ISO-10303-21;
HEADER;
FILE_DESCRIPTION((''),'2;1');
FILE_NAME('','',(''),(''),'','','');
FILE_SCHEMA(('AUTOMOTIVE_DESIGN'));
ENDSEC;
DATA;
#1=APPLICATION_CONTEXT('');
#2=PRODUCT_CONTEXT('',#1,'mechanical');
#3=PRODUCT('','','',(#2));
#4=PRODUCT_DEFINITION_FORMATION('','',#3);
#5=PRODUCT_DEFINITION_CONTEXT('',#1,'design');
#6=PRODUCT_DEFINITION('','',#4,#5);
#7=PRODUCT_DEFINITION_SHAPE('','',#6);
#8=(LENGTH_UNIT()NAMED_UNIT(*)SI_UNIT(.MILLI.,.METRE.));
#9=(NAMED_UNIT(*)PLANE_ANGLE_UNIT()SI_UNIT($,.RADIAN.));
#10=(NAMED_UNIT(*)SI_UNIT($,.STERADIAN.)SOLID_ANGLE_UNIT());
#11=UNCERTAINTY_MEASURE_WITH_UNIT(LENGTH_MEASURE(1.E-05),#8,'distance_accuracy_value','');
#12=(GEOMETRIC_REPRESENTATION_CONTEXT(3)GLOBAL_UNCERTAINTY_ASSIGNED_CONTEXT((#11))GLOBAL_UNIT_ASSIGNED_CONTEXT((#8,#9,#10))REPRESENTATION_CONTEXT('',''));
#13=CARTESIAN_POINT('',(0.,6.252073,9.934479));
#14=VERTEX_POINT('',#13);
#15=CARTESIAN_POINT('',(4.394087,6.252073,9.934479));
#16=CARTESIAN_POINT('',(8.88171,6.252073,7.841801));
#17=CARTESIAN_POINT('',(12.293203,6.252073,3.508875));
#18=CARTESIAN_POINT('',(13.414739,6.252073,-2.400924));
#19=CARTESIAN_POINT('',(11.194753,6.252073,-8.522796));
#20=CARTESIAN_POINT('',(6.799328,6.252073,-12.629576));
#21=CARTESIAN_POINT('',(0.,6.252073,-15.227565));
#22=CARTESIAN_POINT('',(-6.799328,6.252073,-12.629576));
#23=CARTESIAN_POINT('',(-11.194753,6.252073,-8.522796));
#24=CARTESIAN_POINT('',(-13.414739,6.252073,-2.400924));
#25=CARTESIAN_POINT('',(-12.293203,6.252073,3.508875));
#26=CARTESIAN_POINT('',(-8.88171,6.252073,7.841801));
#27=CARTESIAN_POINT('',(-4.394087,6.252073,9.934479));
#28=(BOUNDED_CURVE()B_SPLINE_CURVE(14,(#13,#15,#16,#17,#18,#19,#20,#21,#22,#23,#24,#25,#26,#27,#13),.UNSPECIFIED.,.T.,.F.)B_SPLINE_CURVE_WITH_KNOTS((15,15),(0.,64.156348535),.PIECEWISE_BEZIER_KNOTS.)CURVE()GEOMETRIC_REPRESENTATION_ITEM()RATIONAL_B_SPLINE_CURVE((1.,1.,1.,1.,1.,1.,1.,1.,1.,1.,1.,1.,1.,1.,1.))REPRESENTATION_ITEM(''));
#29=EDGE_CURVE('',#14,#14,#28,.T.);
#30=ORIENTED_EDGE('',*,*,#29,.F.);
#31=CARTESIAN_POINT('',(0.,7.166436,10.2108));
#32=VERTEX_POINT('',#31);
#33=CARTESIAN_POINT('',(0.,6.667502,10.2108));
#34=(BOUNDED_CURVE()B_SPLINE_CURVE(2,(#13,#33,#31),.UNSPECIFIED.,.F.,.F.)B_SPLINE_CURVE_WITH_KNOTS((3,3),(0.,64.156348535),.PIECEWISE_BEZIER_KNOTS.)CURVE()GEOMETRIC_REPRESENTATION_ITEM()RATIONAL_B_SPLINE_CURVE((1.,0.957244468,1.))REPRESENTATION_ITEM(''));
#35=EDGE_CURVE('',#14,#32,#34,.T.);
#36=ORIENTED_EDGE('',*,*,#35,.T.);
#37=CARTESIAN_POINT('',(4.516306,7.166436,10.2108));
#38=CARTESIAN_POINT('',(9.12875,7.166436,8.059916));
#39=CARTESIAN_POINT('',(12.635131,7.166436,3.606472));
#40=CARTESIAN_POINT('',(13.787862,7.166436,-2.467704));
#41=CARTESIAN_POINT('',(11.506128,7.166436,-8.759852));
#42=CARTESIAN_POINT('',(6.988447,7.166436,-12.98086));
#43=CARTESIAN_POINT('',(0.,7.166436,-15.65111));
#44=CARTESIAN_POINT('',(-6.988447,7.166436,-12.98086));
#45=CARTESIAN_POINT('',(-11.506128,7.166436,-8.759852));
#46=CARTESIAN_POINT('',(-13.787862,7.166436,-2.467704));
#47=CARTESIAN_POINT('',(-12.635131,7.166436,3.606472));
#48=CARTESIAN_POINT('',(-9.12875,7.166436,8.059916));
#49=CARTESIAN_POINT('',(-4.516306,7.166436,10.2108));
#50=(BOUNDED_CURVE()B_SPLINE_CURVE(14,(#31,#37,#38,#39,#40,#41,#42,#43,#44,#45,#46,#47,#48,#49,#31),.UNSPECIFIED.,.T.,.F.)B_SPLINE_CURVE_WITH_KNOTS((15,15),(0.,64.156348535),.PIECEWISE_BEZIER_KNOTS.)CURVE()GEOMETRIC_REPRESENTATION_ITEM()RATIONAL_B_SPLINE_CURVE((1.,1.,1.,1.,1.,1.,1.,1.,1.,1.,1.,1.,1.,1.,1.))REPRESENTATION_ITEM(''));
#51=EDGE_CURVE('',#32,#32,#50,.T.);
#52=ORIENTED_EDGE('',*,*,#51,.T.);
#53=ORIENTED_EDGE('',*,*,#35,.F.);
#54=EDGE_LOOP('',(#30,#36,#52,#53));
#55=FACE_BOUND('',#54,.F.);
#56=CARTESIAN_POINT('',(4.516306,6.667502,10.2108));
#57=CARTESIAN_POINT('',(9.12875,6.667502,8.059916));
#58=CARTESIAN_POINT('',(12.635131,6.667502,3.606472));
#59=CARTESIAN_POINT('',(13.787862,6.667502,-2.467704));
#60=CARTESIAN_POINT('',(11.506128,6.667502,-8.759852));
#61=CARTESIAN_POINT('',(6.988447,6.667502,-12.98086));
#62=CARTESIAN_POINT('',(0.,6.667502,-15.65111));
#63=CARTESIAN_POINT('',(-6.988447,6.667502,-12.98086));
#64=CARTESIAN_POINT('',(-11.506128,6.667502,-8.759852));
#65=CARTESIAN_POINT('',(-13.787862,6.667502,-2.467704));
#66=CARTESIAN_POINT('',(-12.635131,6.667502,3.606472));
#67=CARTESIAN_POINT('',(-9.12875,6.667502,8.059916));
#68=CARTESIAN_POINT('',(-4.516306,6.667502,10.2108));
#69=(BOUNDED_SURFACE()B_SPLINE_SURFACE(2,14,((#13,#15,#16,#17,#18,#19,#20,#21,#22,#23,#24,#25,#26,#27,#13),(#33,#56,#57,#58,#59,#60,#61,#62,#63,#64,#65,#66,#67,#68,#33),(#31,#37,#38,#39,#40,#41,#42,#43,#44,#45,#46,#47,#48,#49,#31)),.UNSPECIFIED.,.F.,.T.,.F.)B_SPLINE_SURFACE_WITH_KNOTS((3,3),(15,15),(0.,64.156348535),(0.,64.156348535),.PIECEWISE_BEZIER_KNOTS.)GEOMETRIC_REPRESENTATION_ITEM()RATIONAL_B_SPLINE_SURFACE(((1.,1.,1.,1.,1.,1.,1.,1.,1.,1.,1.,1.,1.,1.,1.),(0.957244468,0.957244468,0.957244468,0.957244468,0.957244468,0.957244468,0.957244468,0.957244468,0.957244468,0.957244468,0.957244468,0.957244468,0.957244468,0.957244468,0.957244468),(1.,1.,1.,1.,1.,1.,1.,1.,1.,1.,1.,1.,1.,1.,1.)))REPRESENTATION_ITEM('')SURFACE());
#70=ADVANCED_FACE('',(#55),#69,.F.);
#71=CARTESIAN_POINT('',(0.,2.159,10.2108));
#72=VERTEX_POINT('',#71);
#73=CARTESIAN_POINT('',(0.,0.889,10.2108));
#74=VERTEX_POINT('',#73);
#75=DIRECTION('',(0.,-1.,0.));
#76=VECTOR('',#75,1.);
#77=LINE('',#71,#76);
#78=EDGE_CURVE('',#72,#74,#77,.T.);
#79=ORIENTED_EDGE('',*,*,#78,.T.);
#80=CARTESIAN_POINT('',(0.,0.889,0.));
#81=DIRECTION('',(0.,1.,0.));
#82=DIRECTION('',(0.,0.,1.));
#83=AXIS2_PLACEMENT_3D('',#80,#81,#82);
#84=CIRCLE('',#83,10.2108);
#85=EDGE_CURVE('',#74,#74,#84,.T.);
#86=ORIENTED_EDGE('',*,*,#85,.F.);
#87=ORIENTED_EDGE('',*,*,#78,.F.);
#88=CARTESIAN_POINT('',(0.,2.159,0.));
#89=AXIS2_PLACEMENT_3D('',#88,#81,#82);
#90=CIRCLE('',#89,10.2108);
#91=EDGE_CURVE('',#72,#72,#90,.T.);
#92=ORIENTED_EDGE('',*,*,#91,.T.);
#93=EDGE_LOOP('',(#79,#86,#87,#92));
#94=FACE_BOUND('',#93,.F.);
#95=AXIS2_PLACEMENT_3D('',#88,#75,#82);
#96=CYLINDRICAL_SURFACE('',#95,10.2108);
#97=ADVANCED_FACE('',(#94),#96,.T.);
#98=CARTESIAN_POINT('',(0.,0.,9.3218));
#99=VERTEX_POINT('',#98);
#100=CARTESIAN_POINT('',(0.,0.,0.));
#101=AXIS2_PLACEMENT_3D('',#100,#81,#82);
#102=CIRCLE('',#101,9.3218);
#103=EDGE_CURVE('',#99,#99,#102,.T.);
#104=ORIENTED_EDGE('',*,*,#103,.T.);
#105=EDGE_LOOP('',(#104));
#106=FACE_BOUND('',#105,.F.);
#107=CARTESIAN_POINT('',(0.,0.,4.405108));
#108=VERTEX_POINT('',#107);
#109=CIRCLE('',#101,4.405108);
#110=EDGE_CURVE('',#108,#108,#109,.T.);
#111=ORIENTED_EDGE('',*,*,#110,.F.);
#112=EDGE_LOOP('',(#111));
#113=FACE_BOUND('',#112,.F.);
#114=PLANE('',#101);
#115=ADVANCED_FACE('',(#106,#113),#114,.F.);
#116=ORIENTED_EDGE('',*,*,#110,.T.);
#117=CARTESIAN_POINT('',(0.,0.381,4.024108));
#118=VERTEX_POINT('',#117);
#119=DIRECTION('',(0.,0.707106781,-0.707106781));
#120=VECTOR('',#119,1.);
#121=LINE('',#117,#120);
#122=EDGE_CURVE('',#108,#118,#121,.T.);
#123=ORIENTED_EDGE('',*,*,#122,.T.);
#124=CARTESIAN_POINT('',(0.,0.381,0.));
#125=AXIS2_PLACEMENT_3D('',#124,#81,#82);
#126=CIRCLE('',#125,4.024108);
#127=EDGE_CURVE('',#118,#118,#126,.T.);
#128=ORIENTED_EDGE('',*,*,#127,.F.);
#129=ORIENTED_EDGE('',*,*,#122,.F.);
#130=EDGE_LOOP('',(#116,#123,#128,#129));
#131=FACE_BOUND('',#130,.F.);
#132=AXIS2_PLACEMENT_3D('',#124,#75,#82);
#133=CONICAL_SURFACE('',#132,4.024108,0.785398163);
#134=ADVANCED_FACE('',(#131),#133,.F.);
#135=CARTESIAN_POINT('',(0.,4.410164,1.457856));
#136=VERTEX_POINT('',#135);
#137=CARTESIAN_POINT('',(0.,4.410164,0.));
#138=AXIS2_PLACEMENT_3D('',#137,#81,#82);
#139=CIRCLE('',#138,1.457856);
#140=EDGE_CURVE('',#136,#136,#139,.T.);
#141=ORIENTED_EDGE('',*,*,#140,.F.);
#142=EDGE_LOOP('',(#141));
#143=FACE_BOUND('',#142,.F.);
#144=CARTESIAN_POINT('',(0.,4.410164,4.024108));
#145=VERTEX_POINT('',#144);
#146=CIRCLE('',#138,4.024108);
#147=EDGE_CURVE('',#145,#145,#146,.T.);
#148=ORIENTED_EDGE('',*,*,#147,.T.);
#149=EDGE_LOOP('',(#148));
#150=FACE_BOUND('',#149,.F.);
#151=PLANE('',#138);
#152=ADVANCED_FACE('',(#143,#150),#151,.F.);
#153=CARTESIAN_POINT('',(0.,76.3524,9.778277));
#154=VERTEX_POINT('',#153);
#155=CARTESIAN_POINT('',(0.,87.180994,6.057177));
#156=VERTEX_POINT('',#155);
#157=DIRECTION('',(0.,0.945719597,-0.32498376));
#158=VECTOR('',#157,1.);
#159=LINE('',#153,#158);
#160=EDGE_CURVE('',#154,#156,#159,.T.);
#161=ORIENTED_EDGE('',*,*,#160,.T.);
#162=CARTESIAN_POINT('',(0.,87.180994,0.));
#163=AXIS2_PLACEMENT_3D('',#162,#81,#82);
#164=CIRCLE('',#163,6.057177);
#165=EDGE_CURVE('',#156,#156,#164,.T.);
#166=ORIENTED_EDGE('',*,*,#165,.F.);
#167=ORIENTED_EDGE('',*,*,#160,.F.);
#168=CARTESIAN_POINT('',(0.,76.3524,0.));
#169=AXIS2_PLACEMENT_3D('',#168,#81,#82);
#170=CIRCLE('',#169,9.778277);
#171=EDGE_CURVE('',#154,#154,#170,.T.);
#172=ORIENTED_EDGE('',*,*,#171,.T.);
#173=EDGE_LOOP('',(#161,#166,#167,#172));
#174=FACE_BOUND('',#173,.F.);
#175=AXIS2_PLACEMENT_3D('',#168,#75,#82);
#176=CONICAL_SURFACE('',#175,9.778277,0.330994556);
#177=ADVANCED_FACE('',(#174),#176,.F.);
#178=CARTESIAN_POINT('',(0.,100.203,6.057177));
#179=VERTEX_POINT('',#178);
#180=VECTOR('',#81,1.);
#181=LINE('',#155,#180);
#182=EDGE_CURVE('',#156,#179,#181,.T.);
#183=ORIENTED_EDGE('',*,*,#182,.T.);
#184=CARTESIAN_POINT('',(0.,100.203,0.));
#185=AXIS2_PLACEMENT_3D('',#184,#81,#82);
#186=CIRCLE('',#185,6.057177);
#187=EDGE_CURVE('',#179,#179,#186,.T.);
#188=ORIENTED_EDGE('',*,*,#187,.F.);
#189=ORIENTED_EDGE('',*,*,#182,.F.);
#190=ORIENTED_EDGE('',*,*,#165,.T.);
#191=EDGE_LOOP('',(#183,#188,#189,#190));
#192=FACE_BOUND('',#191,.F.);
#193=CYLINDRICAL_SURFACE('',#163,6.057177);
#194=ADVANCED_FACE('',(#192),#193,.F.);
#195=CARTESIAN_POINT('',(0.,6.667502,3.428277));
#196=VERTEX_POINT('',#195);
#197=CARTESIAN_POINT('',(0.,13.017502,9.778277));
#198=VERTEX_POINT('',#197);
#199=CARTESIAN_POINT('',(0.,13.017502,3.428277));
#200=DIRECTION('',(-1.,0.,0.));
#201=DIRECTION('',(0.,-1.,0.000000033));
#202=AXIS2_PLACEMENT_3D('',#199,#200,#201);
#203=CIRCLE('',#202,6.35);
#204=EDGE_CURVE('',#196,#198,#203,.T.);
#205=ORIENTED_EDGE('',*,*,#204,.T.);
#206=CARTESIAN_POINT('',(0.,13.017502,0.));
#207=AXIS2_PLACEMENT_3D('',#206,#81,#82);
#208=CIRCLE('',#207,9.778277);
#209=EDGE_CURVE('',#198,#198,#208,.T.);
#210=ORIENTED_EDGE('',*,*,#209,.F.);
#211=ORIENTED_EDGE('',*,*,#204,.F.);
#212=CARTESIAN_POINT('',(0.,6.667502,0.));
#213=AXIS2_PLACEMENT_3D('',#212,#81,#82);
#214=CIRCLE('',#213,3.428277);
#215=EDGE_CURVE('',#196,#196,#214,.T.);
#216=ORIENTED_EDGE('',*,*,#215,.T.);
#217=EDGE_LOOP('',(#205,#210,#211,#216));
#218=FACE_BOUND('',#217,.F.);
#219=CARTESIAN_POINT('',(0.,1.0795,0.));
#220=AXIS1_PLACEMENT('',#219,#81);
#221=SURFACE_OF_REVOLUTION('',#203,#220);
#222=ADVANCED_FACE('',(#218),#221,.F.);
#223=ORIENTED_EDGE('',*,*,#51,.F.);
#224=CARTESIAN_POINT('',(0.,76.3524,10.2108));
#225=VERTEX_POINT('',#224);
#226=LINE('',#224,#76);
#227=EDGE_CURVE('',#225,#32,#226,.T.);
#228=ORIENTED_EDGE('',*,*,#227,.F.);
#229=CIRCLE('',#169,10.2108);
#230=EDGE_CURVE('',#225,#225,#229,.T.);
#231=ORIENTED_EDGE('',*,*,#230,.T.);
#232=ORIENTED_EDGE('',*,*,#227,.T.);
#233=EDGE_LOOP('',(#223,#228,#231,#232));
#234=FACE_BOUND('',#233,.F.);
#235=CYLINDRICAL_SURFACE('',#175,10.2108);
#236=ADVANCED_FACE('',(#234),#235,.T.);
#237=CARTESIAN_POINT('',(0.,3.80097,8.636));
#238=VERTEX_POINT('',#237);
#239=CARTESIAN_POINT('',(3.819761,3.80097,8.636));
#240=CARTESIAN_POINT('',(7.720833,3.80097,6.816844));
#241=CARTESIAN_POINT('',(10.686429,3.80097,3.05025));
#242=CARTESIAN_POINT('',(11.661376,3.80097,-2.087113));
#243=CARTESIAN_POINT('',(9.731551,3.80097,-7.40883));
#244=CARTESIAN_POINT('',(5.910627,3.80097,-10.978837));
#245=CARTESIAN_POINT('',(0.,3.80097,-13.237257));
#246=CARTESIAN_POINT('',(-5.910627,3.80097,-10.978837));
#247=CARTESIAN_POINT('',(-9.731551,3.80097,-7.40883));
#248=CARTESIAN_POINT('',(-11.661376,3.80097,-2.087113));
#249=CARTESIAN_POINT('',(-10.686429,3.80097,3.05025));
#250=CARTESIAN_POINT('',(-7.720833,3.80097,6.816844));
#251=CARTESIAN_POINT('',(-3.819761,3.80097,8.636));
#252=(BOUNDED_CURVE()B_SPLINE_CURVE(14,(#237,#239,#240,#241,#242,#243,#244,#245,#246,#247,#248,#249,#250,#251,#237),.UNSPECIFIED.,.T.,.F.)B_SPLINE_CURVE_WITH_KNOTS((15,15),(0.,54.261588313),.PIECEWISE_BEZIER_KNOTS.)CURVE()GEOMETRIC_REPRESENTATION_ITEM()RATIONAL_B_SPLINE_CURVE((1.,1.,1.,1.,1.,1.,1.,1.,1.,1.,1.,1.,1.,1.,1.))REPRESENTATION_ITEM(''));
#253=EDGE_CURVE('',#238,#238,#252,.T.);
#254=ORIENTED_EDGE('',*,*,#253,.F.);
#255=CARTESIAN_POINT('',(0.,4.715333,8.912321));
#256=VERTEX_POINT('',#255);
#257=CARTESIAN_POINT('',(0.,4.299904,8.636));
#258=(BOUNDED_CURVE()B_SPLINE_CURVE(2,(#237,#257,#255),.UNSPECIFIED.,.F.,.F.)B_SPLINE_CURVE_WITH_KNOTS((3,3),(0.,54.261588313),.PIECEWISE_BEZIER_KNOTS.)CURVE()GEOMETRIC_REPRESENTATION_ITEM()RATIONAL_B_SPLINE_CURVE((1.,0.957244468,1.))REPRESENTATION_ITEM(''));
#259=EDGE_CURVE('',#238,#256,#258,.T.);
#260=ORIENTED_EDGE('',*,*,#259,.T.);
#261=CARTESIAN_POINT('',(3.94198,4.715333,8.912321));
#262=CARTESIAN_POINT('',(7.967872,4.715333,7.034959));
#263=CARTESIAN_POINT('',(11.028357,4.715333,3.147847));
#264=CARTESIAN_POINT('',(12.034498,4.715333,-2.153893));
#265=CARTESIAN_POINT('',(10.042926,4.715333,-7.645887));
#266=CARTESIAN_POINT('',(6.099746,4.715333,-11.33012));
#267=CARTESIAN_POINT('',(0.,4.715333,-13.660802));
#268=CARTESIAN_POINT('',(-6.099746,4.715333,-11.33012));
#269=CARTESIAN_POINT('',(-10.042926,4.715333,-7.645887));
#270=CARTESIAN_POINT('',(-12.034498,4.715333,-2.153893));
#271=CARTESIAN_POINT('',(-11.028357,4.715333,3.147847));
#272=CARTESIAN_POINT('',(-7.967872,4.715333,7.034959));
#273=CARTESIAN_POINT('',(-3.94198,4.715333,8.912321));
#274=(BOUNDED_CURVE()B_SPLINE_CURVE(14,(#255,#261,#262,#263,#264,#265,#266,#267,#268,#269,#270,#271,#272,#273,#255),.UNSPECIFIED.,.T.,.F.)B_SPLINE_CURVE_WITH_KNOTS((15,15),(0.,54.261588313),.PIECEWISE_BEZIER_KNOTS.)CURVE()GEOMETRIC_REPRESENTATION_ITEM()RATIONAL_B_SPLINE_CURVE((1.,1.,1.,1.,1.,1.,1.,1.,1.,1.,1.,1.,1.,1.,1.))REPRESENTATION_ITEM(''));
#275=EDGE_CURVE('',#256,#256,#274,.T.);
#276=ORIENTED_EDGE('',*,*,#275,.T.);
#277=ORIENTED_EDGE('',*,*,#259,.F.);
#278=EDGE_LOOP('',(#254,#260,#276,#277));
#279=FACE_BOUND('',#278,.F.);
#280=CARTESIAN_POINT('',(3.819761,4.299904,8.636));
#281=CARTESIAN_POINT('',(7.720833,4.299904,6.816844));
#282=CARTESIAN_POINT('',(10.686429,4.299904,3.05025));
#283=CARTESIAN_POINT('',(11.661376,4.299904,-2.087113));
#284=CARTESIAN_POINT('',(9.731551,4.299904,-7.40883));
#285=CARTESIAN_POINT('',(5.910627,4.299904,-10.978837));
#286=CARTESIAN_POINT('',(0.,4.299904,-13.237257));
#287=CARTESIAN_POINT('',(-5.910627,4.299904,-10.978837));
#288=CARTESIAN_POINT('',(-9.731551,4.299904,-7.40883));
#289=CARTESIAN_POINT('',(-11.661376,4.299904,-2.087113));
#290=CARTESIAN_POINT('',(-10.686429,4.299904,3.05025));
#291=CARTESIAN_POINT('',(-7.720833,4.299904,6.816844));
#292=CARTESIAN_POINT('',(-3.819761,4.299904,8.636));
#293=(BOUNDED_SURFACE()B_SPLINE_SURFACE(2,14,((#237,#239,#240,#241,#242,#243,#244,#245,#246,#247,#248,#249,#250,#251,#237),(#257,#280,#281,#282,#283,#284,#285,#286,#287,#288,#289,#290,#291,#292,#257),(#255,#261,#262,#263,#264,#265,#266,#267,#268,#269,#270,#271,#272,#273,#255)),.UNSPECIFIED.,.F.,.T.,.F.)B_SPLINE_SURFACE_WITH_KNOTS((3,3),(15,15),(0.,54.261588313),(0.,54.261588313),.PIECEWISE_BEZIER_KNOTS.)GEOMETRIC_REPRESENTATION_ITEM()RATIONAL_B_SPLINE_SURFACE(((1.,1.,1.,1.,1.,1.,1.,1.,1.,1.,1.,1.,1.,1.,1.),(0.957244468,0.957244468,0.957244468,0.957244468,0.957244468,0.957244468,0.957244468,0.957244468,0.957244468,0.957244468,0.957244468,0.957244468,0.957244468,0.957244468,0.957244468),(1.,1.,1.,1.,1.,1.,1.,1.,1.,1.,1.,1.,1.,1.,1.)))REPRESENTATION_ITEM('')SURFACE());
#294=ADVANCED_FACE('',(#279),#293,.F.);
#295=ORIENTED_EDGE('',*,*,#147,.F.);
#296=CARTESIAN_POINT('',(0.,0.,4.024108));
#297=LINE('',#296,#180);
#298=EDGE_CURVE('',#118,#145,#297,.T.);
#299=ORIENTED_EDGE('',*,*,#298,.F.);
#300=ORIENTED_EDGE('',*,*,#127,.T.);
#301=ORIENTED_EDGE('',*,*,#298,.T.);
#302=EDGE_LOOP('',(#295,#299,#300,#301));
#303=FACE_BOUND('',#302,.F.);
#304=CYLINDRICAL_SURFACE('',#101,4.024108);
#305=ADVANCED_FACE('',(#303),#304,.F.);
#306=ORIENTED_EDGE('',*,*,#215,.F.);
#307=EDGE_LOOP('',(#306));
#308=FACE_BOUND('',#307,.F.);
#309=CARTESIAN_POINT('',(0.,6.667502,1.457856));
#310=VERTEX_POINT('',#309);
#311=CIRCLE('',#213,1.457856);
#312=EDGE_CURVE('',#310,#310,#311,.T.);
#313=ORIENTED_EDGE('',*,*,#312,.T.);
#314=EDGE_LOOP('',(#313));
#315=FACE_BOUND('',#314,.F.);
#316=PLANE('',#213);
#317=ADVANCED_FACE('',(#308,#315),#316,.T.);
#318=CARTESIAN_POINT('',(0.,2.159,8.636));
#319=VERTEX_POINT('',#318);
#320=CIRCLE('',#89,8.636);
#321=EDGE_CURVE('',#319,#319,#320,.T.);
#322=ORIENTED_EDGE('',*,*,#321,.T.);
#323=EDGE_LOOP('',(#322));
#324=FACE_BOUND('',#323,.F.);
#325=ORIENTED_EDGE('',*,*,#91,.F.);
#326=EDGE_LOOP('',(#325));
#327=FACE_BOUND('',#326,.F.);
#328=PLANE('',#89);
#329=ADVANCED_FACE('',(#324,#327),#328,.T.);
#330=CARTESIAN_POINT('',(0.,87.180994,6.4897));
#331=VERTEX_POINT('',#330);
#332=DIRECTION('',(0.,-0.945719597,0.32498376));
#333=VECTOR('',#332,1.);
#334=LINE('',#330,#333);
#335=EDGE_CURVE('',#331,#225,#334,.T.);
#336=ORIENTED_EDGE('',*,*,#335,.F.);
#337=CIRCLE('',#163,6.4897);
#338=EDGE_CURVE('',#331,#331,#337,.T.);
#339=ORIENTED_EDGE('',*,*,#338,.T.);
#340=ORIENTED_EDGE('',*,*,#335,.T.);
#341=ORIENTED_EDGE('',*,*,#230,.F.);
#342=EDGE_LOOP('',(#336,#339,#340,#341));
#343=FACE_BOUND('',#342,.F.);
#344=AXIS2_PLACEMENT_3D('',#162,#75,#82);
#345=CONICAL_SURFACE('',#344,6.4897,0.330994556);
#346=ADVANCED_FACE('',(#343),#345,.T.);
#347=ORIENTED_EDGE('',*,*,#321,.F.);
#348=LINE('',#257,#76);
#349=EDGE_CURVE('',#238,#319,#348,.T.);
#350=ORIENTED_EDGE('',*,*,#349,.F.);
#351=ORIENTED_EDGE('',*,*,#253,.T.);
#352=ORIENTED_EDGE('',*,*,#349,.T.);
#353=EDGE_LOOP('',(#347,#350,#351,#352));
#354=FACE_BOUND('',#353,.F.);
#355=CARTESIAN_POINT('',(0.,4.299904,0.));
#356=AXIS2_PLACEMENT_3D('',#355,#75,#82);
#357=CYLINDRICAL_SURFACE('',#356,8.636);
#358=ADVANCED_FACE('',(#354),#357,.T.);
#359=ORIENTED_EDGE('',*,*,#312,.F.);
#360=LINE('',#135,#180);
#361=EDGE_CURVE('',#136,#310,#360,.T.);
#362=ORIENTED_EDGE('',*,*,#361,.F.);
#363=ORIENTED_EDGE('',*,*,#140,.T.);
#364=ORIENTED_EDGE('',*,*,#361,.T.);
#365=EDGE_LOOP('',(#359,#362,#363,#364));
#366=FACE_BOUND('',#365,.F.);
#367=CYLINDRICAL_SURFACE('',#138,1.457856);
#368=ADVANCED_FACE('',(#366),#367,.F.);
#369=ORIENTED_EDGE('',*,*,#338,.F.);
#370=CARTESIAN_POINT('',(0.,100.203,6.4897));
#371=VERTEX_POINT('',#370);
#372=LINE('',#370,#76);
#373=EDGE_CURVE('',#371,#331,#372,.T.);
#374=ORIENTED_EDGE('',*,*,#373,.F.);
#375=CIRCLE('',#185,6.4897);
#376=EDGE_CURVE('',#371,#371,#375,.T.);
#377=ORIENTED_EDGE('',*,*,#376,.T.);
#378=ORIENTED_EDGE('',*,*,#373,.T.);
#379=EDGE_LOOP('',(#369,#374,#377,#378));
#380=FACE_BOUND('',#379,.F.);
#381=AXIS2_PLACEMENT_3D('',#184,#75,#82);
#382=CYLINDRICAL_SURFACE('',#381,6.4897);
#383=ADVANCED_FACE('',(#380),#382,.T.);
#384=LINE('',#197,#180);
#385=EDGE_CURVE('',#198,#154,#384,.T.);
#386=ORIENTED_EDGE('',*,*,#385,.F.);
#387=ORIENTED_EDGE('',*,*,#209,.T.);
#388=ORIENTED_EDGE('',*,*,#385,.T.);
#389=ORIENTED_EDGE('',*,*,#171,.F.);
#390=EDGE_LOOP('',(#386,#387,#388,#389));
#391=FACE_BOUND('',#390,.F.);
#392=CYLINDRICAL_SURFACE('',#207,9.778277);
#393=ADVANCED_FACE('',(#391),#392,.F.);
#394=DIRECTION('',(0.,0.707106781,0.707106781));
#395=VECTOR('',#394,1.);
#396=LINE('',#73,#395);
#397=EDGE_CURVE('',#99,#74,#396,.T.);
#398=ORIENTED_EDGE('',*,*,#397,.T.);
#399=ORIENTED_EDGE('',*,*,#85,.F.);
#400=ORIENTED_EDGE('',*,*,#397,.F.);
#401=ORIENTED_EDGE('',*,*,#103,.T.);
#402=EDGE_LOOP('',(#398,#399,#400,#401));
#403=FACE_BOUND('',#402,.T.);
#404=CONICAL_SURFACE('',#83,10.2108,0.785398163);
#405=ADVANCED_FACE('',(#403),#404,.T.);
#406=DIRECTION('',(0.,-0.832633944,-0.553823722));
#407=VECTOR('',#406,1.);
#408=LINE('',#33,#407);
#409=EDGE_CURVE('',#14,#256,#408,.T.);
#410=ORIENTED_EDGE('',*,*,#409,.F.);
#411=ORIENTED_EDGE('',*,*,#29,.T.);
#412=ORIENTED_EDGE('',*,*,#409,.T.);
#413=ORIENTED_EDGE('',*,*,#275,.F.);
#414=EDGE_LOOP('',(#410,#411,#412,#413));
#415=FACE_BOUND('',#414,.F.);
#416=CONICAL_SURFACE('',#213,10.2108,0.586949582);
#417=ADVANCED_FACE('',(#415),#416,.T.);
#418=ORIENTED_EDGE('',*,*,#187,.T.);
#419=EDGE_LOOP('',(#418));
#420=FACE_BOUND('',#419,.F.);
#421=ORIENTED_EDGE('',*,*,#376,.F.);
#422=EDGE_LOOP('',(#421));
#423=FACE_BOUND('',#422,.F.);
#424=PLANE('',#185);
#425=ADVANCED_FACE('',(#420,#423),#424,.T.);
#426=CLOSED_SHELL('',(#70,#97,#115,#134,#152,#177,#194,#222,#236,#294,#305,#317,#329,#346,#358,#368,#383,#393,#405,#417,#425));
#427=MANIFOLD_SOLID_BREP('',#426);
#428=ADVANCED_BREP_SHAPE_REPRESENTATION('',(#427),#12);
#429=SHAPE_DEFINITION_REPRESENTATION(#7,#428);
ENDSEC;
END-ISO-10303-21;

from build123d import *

# Parameters (mm, degrees)
F2_SIZE = 0.889
F3_SIZE = 0.381
F4_R    = 1.651


with BuildPart() as f1:
    # F0 (on Right) → F1 (revolve)
    with BuildSketch(Plane.YZ):
        with BuildLine():
            Line((0, 10.2108), (0, 4.024108))
            Line((0, 4.024108), (4.410164, 4.024108))
            Line((4.410164, 4.024108), (4.410164, 1.457856))
            Line((4.410164, 1.457856), (6.667502, 1.457856))
            Line((6.667502, 1.457856), (6.667502, 3.428277))
            ThreePointArc((6.667502, 3.428277), (8.527374, 7.918405), (13.017502, 9.778277))
            Line((13.017502, 9.778277), (76.3524, 9.778277))
            Line((76.3524, 9.778277), (87.180994, 6.057177))
            Line((87.180994, 6.057177), (100.203, 6.057177))
            Line((100.203, 6.057177), (100.203, 6.4897))
            Line((100.203, 6.4897), (87.180994, 6.4897))
            Line((87.180994, 6.4897), (76.3524, 10.2108))
            Line((76.3524, 10.2108), (6.667502, 10.2108))
            Line((6.667502, 10.2108), (4.299904, 8.636))
            Line((4.299904, 8.636), (2.159, 8.636))
            Line((2.159, 8.636), (2.159, 10.2108))
            Line((2.159, 10.2108), (0, 10.2108))
        make_face()
    revolve(axis=Axis((0, 1.0795, 0), (0, 1, 0)))

    # F2
    f2_edges = [f1.edges().sort_by_distance(p)[0] for p in [
        (0, 0, -10.2108),
    ]]
    chamfer(f2_edges, length=F2_SIZE)

    # F3
    f3_edges = [f1.edges().sort_by_distance(p)[0] for p in [
        (0, 0, -4.024108),
    ]]
    chamfer(f3_edges, length=F3_SIZE)

    # F4
    f4_edges = [f1.edges().sort_by_distance(p)[0] for p in [
        (0, 6.667502, -10.2108),
        (0, 4.299904, -8.636),
    ]]
    fillet(f4_edges, radius=F4_R)


solid = f1.part
